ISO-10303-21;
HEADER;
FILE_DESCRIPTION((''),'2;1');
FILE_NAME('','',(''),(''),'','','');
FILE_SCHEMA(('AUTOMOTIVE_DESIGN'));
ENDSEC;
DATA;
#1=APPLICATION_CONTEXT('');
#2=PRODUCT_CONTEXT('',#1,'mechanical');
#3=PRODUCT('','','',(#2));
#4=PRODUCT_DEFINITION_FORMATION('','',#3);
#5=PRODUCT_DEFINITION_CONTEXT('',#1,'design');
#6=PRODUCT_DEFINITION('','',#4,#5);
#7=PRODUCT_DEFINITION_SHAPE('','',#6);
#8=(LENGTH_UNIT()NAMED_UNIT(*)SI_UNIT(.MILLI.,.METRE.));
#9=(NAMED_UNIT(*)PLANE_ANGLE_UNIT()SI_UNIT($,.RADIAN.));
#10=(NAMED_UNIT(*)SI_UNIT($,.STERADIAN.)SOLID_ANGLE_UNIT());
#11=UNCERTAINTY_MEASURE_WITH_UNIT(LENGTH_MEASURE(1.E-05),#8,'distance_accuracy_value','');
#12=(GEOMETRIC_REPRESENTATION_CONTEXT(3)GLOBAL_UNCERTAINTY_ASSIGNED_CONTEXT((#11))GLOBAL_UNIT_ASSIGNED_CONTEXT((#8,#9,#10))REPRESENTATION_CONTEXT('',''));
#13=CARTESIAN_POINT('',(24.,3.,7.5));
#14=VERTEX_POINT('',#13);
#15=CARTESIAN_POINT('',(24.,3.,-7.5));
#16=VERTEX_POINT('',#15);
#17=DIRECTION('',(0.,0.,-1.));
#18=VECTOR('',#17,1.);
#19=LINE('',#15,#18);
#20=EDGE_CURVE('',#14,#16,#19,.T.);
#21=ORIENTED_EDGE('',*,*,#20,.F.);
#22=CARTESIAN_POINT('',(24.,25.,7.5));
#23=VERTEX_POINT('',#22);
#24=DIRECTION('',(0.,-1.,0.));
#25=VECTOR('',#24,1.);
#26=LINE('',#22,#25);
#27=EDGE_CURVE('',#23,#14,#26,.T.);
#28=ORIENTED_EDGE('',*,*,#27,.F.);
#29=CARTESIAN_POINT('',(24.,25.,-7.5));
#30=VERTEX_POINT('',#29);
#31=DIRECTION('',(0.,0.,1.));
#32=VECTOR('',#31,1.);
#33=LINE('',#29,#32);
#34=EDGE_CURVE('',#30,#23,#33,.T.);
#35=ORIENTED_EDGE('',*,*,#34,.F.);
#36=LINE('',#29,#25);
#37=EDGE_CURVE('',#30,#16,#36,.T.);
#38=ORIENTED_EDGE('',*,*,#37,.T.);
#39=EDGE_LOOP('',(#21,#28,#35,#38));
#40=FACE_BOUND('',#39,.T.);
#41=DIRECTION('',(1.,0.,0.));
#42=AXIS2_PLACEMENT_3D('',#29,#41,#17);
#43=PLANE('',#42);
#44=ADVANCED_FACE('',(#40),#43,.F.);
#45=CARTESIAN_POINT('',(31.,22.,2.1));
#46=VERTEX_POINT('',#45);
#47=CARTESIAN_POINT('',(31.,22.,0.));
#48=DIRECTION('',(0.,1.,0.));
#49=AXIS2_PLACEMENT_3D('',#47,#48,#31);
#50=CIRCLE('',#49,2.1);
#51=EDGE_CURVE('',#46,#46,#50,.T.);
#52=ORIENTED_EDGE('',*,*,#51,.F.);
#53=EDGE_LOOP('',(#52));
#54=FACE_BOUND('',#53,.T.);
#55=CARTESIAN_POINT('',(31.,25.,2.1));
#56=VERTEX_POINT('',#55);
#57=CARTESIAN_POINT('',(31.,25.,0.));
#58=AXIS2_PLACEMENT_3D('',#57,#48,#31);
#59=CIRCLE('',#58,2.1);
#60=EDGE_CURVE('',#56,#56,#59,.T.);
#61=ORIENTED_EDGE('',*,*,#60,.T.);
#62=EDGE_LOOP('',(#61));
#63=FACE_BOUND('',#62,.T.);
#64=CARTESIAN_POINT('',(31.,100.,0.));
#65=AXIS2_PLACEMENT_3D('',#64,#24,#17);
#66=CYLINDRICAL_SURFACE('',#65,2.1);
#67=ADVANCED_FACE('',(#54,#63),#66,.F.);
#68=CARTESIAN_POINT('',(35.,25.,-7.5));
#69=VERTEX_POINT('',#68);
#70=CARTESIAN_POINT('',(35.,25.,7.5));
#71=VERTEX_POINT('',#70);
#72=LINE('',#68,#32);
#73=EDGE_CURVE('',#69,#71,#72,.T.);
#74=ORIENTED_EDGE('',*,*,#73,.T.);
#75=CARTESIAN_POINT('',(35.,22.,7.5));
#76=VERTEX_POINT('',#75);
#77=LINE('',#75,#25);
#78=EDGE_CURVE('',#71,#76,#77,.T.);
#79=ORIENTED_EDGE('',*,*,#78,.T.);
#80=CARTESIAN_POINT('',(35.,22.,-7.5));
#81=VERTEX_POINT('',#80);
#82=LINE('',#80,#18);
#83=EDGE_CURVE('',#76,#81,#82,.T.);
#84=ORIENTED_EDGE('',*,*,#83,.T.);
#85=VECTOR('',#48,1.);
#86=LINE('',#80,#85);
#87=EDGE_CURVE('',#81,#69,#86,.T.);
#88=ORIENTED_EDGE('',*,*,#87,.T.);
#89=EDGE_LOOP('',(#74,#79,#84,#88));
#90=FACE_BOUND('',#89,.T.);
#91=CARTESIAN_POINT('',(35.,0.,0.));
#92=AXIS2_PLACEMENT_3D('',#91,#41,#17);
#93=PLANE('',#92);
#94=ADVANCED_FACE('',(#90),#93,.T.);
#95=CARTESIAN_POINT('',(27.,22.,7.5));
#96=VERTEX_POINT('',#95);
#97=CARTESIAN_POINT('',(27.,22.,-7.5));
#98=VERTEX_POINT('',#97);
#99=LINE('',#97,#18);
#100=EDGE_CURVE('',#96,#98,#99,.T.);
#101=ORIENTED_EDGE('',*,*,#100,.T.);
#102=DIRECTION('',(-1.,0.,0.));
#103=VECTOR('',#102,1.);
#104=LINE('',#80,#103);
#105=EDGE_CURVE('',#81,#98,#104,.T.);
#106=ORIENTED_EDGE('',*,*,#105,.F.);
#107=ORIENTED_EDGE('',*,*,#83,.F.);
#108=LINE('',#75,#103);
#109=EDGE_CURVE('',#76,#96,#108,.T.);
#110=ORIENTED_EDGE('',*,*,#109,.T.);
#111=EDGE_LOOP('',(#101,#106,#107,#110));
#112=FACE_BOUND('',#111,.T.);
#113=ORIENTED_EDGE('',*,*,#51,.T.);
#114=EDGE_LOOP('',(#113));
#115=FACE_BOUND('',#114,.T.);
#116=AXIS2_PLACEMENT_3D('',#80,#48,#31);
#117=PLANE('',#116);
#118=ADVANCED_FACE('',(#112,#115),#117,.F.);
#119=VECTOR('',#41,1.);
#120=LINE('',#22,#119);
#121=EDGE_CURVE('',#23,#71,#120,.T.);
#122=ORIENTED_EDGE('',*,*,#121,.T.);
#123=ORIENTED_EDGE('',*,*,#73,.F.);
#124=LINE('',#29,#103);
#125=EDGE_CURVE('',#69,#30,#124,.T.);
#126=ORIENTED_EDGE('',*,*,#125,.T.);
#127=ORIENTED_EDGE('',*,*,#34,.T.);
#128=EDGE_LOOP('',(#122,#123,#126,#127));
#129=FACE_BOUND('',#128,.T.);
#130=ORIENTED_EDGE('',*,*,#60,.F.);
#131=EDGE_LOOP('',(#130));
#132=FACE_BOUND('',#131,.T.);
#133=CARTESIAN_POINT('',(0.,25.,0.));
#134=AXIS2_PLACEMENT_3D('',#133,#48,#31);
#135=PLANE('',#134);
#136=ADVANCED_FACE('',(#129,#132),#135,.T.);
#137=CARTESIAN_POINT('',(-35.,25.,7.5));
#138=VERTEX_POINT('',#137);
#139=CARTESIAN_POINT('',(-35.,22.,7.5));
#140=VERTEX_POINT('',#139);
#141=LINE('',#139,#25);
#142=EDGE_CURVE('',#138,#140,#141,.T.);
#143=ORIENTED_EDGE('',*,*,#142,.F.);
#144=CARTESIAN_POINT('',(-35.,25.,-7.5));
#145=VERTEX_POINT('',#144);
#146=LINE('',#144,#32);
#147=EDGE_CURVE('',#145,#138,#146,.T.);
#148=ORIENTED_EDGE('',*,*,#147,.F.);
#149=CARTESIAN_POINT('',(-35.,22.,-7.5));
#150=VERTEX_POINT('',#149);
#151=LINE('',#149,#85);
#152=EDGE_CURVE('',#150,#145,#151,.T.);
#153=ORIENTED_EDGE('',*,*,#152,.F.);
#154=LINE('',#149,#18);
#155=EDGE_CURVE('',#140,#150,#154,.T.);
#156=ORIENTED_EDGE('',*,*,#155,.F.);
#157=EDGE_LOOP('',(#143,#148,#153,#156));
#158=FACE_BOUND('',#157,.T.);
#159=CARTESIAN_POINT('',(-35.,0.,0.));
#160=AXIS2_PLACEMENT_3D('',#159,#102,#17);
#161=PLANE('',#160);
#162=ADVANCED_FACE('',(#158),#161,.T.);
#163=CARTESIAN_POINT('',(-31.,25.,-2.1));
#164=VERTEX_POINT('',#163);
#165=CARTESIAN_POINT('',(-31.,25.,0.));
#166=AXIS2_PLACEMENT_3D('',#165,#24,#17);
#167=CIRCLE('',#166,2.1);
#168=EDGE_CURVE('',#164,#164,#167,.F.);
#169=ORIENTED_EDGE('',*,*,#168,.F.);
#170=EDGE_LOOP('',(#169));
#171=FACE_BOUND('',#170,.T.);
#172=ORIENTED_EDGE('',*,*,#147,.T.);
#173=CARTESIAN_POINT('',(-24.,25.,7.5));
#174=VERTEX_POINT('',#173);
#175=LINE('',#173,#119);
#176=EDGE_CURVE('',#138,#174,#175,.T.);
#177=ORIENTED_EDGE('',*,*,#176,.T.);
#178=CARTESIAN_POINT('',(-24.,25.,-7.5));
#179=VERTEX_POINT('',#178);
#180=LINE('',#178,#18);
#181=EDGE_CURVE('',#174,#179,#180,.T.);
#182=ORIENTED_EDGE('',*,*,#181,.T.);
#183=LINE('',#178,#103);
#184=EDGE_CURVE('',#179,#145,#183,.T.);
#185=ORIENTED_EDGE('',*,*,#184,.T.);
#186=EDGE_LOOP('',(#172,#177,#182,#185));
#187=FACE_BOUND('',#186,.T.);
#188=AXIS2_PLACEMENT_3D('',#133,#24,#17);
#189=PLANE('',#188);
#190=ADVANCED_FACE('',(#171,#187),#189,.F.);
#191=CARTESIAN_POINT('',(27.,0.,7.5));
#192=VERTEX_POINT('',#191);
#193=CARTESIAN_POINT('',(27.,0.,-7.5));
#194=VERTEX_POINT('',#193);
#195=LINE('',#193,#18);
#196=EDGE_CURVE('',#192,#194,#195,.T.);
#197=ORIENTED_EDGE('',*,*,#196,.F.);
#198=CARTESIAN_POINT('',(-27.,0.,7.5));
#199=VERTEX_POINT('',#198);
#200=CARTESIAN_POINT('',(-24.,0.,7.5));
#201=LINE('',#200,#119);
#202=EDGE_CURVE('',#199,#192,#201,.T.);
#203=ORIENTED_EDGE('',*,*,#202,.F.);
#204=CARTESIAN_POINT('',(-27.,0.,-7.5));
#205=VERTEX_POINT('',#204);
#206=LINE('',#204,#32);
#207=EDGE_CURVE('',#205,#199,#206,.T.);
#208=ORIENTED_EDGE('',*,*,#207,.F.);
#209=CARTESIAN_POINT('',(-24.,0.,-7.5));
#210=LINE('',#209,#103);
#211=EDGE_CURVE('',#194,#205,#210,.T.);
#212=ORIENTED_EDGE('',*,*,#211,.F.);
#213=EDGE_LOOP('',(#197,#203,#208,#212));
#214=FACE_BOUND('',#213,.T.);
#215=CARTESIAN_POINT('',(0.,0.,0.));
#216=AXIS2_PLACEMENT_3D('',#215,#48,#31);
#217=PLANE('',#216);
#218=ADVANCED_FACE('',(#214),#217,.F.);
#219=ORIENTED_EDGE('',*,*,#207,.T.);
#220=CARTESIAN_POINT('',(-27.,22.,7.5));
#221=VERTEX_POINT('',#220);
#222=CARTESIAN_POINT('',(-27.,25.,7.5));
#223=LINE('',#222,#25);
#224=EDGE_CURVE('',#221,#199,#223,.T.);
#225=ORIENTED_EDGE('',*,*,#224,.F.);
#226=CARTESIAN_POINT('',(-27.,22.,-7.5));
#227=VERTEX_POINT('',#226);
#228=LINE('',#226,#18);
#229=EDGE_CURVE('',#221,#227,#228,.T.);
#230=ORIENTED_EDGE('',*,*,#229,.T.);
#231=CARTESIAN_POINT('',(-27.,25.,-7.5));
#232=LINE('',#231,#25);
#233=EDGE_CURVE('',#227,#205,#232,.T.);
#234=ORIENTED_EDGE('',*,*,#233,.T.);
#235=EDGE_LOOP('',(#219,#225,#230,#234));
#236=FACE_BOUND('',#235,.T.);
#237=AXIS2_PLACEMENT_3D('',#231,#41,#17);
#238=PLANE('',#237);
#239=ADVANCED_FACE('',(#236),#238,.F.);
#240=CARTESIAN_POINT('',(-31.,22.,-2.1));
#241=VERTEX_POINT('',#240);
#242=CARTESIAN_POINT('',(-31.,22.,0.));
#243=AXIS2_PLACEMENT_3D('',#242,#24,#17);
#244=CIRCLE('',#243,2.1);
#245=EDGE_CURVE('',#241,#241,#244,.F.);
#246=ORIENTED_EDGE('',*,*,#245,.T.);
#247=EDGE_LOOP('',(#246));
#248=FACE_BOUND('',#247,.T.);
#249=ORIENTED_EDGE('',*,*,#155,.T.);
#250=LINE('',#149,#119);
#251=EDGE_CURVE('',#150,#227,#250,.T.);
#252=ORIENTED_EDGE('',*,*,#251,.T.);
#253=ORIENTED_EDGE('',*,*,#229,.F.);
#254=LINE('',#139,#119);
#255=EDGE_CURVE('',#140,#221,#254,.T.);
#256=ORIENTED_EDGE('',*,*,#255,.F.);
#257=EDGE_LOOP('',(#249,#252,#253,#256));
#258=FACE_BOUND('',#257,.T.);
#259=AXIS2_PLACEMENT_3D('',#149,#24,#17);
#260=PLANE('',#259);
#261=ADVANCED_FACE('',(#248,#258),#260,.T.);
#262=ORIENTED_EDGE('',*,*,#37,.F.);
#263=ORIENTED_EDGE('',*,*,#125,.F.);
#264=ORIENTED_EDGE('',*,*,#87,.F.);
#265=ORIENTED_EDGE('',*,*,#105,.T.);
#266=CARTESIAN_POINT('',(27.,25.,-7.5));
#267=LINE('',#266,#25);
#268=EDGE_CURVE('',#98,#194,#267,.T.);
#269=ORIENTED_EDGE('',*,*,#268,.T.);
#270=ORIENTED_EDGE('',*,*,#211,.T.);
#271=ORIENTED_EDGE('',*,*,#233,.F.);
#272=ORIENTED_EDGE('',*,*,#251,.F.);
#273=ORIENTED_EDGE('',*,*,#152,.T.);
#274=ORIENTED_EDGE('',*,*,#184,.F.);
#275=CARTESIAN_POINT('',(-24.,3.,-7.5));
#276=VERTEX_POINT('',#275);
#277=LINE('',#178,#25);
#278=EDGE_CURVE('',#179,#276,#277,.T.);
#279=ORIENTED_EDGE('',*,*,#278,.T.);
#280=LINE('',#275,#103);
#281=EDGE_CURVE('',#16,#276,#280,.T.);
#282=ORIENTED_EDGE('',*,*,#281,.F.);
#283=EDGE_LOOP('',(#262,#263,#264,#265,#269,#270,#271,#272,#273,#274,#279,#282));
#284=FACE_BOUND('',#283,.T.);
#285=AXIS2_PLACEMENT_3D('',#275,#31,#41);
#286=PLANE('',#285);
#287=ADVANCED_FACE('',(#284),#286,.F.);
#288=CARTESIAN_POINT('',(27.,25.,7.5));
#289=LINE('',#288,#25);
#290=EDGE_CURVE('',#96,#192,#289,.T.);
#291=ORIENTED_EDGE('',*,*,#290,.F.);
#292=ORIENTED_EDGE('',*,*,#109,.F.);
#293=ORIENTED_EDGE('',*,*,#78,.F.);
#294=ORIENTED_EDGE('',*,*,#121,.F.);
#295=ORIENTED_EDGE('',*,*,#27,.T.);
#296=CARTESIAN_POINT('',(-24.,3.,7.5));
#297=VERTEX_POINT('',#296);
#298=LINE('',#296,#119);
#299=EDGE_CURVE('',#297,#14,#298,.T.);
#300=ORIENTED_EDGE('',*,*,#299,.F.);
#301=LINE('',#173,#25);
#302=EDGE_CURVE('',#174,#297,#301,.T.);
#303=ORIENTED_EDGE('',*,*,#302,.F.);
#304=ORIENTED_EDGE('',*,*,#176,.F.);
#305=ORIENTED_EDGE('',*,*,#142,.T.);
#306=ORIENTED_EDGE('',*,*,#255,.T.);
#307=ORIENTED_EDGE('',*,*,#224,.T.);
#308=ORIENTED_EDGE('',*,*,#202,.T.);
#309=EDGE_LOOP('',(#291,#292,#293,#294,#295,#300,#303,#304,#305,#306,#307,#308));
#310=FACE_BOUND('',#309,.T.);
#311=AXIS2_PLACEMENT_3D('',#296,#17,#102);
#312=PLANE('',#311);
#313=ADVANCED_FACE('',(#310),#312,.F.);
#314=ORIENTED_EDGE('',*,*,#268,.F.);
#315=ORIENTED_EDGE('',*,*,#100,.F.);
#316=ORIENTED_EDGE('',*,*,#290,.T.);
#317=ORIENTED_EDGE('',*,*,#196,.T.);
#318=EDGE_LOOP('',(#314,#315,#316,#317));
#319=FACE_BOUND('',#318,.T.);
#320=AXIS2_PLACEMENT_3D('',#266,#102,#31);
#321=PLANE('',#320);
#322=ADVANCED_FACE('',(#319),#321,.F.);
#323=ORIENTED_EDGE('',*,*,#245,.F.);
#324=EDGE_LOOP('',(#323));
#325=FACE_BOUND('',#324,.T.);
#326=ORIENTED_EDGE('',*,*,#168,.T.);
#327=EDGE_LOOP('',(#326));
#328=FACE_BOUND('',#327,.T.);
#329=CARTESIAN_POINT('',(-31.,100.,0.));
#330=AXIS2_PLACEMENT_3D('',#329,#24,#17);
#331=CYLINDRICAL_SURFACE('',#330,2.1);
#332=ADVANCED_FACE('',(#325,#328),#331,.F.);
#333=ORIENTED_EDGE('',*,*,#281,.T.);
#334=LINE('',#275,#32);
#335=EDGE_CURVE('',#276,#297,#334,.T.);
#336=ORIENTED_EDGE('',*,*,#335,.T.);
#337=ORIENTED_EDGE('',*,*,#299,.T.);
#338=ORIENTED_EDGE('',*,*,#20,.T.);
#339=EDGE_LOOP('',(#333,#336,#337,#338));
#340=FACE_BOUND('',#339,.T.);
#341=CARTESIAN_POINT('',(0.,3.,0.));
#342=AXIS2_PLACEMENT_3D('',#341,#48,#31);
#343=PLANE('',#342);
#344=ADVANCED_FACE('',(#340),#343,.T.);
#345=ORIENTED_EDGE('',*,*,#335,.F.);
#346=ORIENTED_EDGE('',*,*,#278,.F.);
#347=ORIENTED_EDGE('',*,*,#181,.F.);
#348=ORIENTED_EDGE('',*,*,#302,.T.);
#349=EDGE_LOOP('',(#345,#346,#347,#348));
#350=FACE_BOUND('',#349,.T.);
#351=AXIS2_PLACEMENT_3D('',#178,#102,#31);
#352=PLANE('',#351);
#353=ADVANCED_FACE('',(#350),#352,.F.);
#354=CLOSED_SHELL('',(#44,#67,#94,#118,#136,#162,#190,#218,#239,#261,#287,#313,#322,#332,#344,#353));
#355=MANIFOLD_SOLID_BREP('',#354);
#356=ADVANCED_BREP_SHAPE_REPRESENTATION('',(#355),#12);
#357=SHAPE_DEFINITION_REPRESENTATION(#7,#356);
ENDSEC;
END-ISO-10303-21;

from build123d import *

# Parameters (mm, degrees)
SKETCH_1_W          = 48
SKETCH_1_H          = 15
EXTRUDE_1_DEPTH     = 3
SKETCH_2_W          = 3
SKETCH_2_H          = 15
EXTRUDE_2_DEPTH     = 25
SKETCH_3_W          = 15
SKETCH_3_H          = 3
EXTRUDE_3_DEPTH     = 8
SKETCH_4_R          = 2.1
CUT_EXTRUDE_3_DEPTH = 100


with BuildPart() as part:
    # 草图1 → 凸台-拉伸1 (new body)
    with BuildSketch(Plane(origin=(0, 0, 0), x_dir=(1, 0, 0), z_dir=(0, 1, 0))):
        Rectangle(SKETCH_1_W, SKETCH_1_H)
    extrude(amount=EXTRUDE_1_DEPTH)

    # 草图2 → 凸台-拉伸2 (add)
    with BuildSketch(Plane(origin=(0, 0, 0), x_dir=(1, 0, 0), z_dir=(0, 1, 0))):
        with Locations((25.5, 0)):
            Rectangle(SKETCH_2_W, SKETCH_2_H)
        with Locations((-25.5, 0)):
            Rectangle(SKETCH_2_W, SKETCH_2_H)
    extrude(amount=EXTRUDE_2_DEPTH)

    # 草图3 → 凸台-拉伸3 (add)
    with BuildSketch(Plane(origin=(27, 0, 0), x_dir=(0, 0, -1), z_dir=(1, 0, 0))):
        with Locations((0, 23.5)):
            Rectangle(SKETCH_3_W, SKETCH_3_H)
    extrude_3 = extrude(amount=EXTRUDE_3_DEPTH)

    # 镜向1: 凸台-拉伸3 across plane
    add(extrude_3.mirror(Plane(origin=(0, 0, 0), x_dir=(0, 0, 1), z_dir=(1, 0, 0))))

    # 草图4 → 切除-拉伸3 (cut)
    with BuildSketch(Plane(origin=(0, 0, 0), x_dir=(1, 0, 0), z_dir=(0, 1, 0))):
        with Locations(Location((-31, 0, 0), (0, 0, 90))):
            Circle(SKETCH_4_R)
    cut_extrude_3 = extrude(amount=CUT_EXTRUDE_3_DEPTH, mode=Mode.SUBTRACT)

    # 镜向2: 切除-拉伸3 across plane
    add(cut_extrude_3.mirror(Plane(origin=(0, 0, 0), x_dir=(0, 0, 1), z_dir=(1, 0, 0))), mode=Mode.SUBTRACT)


solid = part.part
